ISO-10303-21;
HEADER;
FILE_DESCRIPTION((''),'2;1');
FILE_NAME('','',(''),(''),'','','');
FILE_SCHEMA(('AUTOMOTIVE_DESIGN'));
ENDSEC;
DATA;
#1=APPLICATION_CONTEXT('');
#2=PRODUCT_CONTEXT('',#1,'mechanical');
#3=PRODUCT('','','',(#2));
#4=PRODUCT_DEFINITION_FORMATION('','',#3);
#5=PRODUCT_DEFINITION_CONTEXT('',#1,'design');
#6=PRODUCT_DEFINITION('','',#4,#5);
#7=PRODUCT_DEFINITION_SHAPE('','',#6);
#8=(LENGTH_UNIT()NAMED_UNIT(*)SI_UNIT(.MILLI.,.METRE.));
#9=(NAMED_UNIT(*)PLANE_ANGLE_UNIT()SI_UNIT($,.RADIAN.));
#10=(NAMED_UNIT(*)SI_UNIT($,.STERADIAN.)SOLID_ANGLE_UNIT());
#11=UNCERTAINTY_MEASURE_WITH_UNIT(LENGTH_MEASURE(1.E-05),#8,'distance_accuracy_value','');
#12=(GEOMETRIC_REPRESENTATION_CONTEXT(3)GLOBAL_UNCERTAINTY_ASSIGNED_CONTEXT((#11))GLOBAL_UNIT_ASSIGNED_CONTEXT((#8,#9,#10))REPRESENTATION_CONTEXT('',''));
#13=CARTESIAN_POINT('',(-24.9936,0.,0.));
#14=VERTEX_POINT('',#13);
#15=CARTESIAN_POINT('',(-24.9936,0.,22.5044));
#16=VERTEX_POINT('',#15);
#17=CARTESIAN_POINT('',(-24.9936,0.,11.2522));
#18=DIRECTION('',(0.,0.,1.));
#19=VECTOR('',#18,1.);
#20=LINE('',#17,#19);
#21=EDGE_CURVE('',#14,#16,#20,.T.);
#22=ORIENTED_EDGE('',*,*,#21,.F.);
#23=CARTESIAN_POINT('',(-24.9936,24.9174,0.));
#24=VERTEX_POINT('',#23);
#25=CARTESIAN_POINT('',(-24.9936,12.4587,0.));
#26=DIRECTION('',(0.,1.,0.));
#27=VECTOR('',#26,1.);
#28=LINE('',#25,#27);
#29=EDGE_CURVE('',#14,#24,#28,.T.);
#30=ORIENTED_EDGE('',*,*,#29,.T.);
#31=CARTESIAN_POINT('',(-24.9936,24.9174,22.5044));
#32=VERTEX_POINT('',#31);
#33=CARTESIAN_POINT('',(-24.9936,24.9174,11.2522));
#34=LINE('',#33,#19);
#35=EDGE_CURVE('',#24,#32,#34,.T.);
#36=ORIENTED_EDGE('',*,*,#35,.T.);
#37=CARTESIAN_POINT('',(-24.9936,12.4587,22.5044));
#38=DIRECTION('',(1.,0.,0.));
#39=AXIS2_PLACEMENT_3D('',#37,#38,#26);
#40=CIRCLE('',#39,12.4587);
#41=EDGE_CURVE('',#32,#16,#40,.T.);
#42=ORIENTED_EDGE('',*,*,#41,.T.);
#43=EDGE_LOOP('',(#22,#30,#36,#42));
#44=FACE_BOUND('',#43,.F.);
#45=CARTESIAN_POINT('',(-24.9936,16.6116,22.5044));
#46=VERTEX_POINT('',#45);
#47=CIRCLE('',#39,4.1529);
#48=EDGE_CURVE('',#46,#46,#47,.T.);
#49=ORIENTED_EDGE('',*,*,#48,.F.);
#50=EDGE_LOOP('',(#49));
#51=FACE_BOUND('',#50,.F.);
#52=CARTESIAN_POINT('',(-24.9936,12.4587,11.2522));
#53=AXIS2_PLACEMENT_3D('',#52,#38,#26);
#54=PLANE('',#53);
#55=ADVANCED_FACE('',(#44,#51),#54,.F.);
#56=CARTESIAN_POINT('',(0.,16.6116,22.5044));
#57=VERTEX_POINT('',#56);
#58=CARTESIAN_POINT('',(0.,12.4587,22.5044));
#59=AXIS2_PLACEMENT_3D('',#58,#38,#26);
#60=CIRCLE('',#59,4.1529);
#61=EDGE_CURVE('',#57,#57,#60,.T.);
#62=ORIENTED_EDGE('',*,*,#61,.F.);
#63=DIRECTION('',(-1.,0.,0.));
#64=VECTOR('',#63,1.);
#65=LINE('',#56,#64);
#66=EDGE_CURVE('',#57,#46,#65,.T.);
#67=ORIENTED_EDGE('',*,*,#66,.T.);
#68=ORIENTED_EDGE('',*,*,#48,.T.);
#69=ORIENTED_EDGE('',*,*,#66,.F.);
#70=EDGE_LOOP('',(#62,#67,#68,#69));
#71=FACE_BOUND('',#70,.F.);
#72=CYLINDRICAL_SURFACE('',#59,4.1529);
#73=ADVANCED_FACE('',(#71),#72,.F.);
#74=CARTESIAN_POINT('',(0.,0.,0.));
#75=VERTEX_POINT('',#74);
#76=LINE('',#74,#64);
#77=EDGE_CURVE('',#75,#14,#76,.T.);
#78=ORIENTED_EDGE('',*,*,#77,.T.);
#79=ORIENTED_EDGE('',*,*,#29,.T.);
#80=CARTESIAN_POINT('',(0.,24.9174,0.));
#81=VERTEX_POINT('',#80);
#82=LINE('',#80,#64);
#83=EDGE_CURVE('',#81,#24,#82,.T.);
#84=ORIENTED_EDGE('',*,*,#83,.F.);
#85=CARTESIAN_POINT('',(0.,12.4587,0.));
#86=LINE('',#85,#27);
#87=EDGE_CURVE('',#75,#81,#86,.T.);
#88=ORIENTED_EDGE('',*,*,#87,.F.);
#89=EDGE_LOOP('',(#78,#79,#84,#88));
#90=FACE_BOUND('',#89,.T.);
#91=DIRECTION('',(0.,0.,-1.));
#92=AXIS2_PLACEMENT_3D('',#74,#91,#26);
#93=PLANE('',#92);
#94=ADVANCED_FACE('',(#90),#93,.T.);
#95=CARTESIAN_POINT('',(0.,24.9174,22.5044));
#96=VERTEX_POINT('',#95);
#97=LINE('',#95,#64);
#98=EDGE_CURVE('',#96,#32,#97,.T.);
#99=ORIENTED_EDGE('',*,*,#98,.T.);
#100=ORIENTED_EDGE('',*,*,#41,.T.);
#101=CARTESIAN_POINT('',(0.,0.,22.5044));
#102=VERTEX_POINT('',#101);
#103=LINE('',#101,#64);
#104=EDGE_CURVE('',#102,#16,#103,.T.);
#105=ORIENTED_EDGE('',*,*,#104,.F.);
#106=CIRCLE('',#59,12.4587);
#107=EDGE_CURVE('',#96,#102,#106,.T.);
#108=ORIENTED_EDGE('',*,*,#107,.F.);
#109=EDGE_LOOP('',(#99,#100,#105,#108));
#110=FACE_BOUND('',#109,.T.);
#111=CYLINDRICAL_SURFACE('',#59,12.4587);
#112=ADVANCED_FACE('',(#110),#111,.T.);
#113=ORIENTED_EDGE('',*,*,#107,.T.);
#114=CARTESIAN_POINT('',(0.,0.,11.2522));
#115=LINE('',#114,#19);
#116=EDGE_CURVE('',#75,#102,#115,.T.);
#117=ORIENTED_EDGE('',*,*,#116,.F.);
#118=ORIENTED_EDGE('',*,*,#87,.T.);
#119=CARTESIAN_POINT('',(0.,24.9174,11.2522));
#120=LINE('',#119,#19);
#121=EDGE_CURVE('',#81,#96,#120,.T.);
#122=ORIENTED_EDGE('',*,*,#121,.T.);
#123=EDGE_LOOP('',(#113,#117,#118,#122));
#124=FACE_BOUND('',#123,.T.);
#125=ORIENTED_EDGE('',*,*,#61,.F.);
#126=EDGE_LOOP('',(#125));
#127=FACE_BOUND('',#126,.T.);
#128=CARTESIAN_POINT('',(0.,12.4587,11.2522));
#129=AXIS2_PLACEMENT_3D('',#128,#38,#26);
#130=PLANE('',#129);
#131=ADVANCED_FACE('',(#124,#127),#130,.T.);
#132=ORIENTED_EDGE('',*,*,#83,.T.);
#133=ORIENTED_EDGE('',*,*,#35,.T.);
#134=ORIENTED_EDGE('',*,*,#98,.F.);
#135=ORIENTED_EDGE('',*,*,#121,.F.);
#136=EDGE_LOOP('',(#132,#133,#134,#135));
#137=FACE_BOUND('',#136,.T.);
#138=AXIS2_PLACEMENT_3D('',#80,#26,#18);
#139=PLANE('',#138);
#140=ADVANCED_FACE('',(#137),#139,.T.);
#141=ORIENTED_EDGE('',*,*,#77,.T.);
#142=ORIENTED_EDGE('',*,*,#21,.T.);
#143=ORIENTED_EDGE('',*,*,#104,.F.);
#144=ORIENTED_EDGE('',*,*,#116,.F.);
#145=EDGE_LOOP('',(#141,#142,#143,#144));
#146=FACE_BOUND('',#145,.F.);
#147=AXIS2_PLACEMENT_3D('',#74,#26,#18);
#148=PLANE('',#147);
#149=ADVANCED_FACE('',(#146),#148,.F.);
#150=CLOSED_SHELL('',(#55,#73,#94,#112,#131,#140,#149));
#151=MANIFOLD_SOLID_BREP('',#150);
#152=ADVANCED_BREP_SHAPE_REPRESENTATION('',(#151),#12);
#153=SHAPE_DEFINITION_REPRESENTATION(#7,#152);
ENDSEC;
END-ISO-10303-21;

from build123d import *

# Parameters (mm, degrees)
F0_W     = 24.9174
F0_H     = 22.5044
F1_DEPTH = 24.9936
F2_R     = 4.1529
F3_DEPTH = 24.9946


with BuildPart() as f1:
    # F0 (on Right) → F1 (new body)
    with BuildSketch(Plane.YZ):
        with Locations((12.4587, 11.2522)):
            Rectangle(F0_W, F0_H)
        with BuildLine():
            ThreePointArc((24.9174, 22.5044), (12.4587, 34.9631), (0, 22.5044))
            Line((0, 22.5044), (24.9174, 22.5044))
        make_face()
    extrude(amount=-F1_DEPTH)

    # F2 (on face) → F3 (cut, through all)
    with BuildSketch(Plane.YZ):
        with Locations((12.4587, 22.5044)):
            Circle(F2_R)
    extrude(amount=-F3_DEPTH, mode=Mode.SUBTRACT)


solid = f1.part
